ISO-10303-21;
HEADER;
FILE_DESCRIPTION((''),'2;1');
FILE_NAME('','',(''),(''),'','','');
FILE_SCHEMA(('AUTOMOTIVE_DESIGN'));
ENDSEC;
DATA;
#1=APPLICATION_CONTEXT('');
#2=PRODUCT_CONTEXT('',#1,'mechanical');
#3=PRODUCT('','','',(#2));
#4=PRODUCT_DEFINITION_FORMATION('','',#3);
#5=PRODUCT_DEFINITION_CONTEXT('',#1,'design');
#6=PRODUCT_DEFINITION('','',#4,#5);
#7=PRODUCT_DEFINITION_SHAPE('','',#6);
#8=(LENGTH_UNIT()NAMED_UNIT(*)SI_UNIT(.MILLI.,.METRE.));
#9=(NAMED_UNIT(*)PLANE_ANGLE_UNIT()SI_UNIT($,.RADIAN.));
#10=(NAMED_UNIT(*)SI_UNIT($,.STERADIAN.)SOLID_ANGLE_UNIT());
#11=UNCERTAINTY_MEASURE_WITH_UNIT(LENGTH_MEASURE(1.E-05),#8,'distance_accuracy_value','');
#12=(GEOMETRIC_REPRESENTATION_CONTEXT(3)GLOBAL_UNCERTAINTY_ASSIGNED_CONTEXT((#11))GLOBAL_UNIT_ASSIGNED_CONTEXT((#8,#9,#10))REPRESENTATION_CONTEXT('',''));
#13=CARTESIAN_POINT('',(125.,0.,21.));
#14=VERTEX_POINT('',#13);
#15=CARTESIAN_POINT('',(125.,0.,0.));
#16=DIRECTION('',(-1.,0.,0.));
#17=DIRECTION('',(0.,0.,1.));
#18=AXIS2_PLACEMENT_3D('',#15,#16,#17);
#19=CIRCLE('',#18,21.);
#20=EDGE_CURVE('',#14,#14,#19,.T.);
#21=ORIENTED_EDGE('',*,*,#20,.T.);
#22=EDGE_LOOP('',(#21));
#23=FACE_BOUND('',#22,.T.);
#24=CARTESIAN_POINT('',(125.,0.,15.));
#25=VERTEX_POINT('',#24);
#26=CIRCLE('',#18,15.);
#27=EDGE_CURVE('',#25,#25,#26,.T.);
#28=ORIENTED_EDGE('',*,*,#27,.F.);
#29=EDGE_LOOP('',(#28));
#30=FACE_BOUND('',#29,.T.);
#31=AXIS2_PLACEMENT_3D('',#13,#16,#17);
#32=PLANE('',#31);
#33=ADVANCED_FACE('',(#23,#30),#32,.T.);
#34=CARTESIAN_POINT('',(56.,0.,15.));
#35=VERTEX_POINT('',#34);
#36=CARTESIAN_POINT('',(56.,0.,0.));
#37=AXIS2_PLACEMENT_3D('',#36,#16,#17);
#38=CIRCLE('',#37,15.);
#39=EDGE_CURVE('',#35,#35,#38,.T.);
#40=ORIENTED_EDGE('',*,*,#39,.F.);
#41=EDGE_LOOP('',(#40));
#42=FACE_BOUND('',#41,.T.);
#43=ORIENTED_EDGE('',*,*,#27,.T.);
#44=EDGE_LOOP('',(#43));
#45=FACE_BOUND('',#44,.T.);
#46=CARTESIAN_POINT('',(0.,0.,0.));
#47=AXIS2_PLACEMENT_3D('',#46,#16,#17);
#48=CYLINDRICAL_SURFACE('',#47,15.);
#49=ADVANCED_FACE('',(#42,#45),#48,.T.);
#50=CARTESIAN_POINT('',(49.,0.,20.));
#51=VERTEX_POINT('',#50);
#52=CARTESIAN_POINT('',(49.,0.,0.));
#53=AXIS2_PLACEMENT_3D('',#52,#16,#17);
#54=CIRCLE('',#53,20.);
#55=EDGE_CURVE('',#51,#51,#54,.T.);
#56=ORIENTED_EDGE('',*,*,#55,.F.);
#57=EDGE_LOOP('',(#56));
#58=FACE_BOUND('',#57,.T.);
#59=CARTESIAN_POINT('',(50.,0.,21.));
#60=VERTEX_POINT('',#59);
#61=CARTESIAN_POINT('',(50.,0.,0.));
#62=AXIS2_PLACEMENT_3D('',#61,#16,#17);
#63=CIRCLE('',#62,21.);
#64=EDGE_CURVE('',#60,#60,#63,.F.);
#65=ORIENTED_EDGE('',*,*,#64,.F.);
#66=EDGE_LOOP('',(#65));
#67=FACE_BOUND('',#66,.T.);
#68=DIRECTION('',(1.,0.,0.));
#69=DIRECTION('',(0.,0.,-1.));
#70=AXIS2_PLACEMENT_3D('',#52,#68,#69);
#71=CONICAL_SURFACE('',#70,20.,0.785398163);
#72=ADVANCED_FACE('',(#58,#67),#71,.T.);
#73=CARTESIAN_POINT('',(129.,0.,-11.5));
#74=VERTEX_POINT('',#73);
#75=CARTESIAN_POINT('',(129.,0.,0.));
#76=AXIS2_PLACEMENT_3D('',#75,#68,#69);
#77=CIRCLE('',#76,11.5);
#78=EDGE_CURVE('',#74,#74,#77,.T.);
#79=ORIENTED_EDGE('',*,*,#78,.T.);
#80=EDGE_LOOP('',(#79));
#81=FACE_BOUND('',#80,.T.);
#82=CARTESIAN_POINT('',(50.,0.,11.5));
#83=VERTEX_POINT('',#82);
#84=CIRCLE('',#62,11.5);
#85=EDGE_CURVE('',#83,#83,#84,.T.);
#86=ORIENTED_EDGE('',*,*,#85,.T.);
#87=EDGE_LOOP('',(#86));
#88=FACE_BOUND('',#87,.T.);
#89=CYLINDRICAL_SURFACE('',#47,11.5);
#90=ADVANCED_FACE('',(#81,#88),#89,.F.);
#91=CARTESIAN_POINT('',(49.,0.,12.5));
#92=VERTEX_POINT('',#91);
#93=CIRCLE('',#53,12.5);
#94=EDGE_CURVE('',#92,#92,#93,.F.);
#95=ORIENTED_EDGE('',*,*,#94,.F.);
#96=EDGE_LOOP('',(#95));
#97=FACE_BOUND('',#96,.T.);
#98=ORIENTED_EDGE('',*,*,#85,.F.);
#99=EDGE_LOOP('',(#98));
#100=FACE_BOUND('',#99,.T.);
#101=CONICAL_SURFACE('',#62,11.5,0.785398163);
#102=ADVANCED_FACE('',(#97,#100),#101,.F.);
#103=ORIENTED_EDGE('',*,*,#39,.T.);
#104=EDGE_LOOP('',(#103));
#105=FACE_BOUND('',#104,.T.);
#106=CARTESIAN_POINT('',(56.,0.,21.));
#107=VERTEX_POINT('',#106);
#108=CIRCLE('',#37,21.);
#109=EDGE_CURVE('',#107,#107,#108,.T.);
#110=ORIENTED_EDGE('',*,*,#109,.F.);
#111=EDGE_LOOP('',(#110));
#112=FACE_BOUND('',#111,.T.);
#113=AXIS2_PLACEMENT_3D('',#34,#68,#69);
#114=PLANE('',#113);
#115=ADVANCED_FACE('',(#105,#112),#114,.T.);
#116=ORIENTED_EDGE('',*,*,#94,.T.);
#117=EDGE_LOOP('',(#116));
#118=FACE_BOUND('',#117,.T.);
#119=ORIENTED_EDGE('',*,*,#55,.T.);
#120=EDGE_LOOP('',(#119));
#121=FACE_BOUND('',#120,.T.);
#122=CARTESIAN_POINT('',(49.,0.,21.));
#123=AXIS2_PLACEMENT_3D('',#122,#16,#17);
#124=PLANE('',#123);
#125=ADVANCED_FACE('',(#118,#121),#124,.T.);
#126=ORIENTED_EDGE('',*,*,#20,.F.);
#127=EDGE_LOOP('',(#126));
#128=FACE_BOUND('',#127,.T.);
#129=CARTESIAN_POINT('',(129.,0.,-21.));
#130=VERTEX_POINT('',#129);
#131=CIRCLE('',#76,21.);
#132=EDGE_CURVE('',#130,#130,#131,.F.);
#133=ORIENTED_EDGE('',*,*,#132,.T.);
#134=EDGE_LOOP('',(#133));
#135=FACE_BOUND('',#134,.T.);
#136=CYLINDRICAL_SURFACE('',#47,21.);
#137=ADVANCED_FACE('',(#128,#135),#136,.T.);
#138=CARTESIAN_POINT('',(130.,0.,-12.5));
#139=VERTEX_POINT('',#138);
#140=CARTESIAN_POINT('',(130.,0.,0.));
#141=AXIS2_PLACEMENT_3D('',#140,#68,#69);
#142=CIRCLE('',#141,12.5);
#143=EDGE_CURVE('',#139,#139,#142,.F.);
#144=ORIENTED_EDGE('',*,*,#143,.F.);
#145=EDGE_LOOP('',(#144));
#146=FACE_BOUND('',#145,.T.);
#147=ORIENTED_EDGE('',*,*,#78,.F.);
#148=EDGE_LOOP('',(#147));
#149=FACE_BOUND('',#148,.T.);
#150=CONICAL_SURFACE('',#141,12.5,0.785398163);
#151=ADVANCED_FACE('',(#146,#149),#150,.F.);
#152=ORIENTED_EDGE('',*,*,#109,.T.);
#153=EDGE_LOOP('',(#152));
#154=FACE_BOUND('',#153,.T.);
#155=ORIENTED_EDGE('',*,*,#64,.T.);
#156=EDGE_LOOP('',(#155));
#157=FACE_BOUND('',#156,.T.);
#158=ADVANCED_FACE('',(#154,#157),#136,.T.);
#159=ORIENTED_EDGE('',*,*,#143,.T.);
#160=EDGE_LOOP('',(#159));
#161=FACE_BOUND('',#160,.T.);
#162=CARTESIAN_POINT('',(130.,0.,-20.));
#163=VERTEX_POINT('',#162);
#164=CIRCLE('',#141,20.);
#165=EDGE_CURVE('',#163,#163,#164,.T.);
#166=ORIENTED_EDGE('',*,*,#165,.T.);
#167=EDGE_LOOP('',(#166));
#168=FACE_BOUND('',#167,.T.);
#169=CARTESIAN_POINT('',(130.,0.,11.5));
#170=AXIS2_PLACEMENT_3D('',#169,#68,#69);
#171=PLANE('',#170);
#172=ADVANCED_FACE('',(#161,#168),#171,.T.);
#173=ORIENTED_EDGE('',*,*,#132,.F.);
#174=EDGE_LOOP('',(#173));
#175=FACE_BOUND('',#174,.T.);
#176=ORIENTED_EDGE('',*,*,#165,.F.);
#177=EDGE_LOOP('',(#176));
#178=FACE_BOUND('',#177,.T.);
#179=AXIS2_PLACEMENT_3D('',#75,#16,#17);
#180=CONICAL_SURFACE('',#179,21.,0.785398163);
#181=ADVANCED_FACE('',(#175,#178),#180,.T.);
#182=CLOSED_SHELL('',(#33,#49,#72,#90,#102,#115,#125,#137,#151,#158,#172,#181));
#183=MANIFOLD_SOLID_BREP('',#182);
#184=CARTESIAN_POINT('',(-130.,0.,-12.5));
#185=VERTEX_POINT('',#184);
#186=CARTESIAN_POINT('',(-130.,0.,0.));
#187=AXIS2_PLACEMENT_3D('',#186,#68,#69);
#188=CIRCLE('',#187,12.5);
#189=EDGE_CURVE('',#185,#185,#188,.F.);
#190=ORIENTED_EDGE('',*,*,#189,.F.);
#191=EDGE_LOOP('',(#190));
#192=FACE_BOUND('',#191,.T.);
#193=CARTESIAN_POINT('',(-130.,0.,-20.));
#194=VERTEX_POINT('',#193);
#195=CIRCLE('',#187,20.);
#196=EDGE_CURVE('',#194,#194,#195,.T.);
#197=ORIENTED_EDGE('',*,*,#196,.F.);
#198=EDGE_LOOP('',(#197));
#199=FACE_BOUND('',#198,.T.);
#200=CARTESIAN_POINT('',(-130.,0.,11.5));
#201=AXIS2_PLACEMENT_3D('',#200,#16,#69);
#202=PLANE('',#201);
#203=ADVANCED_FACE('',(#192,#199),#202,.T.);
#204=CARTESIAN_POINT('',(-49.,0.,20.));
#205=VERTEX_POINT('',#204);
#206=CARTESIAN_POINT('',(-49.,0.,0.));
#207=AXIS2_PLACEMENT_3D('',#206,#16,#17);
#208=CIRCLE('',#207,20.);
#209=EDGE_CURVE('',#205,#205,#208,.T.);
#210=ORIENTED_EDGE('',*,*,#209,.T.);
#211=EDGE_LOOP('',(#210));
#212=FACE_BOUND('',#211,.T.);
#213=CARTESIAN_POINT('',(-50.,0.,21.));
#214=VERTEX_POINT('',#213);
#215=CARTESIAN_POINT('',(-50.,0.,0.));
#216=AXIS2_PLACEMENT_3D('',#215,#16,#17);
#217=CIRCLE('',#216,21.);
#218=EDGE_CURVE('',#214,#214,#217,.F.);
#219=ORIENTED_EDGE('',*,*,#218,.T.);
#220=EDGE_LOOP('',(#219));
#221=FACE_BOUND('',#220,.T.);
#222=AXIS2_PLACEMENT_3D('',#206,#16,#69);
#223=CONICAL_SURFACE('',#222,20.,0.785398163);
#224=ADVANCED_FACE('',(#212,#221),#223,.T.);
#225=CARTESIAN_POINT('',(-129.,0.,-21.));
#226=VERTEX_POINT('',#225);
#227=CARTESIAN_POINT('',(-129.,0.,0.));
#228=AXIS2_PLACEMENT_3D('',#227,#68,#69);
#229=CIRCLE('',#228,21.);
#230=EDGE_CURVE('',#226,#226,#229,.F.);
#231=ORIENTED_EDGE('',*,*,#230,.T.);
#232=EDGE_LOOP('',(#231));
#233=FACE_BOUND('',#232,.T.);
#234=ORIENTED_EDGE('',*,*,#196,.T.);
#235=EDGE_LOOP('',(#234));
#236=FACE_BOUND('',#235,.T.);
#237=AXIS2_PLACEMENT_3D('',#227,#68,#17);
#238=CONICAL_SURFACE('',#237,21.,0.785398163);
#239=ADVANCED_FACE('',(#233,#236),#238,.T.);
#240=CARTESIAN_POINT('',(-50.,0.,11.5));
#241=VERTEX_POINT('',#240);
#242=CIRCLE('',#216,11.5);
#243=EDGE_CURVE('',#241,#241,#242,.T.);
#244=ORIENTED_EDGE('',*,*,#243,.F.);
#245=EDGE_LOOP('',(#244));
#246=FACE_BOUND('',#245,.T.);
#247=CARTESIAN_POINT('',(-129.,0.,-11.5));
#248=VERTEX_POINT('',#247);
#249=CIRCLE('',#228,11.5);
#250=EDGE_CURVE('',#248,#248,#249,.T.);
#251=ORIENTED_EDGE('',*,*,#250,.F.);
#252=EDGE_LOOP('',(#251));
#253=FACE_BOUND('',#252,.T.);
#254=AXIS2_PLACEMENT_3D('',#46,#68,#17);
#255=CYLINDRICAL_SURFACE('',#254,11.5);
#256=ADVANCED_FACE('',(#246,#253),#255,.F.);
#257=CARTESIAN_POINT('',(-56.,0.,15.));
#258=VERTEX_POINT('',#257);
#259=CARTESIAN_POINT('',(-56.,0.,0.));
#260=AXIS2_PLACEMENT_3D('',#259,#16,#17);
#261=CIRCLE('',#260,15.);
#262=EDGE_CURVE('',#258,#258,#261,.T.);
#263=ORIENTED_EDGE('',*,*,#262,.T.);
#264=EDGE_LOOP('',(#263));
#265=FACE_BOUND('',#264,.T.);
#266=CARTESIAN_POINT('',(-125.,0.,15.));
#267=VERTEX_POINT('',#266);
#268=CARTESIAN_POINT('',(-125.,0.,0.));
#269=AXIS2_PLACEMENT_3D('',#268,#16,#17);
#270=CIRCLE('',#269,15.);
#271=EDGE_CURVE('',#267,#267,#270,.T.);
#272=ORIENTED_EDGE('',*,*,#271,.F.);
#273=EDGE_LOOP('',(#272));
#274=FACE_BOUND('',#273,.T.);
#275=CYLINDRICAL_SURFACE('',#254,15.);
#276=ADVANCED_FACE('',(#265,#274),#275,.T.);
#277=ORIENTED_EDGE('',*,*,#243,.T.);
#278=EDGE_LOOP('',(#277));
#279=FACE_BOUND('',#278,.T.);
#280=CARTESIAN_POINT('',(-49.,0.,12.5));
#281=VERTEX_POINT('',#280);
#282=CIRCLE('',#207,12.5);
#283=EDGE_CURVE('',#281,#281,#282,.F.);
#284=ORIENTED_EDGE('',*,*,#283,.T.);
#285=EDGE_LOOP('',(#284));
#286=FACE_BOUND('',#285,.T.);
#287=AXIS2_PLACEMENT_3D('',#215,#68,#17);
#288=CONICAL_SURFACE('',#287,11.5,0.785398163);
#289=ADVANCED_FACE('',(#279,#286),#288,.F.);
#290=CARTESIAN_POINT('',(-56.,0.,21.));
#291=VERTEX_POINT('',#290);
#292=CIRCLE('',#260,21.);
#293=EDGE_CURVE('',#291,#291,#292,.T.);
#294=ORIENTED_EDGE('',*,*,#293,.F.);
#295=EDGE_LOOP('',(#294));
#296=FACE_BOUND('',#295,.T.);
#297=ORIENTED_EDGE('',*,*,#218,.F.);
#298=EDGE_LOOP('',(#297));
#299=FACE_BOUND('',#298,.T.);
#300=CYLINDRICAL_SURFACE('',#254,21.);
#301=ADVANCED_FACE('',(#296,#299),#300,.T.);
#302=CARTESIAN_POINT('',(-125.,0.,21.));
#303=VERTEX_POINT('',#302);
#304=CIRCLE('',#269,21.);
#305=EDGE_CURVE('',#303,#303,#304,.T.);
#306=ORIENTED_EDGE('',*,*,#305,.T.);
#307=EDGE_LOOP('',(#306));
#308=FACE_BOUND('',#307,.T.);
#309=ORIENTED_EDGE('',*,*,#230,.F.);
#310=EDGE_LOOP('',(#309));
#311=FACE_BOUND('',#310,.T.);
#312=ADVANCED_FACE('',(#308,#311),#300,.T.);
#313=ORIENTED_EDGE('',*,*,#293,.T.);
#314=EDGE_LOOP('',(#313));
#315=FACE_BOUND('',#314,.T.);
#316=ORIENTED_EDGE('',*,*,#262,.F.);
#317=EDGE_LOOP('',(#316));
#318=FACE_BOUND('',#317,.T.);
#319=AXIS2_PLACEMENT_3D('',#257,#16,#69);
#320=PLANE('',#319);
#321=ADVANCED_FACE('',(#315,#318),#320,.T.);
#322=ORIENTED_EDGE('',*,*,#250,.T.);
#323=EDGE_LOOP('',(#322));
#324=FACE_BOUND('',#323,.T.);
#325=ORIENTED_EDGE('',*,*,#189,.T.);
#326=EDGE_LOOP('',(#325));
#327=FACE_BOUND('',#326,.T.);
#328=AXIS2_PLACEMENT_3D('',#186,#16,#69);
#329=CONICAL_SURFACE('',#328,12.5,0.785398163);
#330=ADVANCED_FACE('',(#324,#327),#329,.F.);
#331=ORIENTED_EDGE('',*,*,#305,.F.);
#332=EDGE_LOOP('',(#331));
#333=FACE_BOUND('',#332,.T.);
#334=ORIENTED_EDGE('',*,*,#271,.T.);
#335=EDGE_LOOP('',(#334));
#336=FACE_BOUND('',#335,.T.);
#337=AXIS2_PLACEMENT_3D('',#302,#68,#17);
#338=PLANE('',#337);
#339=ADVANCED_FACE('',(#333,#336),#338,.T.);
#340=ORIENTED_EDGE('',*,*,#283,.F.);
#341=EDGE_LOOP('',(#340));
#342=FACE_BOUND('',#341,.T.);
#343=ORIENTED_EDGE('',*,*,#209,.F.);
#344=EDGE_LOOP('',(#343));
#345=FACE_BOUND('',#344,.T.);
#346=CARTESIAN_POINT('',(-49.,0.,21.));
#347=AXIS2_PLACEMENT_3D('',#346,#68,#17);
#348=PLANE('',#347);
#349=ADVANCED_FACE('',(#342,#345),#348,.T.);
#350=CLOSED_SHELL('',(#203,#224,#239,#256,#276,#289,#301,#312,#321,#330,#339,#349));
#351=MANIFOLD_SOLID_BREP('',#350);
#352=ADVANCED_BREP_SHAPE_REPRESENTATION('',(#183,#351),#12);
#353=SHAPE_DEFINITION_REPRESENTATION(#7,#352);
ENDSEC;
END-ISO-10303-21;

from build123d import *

# Parameters (mm, degrees)
SFAZOWANIE1_SIZE = 1


with BuildPart() as part:
    # Szkic15 → Obr_t1 (revolve)
    with BuildSketch(Plane(origin=(0, 0, 0), x_dir=(1, 0, 0), z_dir=(0, 1, 0))):
        Polygon((130, -21), (125, -21), (125, -15), (56, -15), (56, -21), (49, -21), (49, -11.5), (130, -11.5), align=None)
    revolve(axis=Axis((0, 0, 0), (1, 0, 0)))

    # Sfazowanie1
    sfazowanie1_edges = [part.edges().sort_by_distance(p)[0] for p in [
        (49, 0, -21),
        (130, 0, -21),
        (130, 0, -11.5),
        (49, 0, -11.5),
    ]]
    chamfer(sfazowanie1_edges, length=SFAZOWANIE1_SIZE)


with BuildPart() as body_2:
    # Lustro5: mirrored copy
    add(part.part.mirror(Plane(origin=(0, 0, 0), x_dir=(0, 0, 1), z_dir=(1, 0, 0))))


solid = Compound([part.part, body_2.part])
